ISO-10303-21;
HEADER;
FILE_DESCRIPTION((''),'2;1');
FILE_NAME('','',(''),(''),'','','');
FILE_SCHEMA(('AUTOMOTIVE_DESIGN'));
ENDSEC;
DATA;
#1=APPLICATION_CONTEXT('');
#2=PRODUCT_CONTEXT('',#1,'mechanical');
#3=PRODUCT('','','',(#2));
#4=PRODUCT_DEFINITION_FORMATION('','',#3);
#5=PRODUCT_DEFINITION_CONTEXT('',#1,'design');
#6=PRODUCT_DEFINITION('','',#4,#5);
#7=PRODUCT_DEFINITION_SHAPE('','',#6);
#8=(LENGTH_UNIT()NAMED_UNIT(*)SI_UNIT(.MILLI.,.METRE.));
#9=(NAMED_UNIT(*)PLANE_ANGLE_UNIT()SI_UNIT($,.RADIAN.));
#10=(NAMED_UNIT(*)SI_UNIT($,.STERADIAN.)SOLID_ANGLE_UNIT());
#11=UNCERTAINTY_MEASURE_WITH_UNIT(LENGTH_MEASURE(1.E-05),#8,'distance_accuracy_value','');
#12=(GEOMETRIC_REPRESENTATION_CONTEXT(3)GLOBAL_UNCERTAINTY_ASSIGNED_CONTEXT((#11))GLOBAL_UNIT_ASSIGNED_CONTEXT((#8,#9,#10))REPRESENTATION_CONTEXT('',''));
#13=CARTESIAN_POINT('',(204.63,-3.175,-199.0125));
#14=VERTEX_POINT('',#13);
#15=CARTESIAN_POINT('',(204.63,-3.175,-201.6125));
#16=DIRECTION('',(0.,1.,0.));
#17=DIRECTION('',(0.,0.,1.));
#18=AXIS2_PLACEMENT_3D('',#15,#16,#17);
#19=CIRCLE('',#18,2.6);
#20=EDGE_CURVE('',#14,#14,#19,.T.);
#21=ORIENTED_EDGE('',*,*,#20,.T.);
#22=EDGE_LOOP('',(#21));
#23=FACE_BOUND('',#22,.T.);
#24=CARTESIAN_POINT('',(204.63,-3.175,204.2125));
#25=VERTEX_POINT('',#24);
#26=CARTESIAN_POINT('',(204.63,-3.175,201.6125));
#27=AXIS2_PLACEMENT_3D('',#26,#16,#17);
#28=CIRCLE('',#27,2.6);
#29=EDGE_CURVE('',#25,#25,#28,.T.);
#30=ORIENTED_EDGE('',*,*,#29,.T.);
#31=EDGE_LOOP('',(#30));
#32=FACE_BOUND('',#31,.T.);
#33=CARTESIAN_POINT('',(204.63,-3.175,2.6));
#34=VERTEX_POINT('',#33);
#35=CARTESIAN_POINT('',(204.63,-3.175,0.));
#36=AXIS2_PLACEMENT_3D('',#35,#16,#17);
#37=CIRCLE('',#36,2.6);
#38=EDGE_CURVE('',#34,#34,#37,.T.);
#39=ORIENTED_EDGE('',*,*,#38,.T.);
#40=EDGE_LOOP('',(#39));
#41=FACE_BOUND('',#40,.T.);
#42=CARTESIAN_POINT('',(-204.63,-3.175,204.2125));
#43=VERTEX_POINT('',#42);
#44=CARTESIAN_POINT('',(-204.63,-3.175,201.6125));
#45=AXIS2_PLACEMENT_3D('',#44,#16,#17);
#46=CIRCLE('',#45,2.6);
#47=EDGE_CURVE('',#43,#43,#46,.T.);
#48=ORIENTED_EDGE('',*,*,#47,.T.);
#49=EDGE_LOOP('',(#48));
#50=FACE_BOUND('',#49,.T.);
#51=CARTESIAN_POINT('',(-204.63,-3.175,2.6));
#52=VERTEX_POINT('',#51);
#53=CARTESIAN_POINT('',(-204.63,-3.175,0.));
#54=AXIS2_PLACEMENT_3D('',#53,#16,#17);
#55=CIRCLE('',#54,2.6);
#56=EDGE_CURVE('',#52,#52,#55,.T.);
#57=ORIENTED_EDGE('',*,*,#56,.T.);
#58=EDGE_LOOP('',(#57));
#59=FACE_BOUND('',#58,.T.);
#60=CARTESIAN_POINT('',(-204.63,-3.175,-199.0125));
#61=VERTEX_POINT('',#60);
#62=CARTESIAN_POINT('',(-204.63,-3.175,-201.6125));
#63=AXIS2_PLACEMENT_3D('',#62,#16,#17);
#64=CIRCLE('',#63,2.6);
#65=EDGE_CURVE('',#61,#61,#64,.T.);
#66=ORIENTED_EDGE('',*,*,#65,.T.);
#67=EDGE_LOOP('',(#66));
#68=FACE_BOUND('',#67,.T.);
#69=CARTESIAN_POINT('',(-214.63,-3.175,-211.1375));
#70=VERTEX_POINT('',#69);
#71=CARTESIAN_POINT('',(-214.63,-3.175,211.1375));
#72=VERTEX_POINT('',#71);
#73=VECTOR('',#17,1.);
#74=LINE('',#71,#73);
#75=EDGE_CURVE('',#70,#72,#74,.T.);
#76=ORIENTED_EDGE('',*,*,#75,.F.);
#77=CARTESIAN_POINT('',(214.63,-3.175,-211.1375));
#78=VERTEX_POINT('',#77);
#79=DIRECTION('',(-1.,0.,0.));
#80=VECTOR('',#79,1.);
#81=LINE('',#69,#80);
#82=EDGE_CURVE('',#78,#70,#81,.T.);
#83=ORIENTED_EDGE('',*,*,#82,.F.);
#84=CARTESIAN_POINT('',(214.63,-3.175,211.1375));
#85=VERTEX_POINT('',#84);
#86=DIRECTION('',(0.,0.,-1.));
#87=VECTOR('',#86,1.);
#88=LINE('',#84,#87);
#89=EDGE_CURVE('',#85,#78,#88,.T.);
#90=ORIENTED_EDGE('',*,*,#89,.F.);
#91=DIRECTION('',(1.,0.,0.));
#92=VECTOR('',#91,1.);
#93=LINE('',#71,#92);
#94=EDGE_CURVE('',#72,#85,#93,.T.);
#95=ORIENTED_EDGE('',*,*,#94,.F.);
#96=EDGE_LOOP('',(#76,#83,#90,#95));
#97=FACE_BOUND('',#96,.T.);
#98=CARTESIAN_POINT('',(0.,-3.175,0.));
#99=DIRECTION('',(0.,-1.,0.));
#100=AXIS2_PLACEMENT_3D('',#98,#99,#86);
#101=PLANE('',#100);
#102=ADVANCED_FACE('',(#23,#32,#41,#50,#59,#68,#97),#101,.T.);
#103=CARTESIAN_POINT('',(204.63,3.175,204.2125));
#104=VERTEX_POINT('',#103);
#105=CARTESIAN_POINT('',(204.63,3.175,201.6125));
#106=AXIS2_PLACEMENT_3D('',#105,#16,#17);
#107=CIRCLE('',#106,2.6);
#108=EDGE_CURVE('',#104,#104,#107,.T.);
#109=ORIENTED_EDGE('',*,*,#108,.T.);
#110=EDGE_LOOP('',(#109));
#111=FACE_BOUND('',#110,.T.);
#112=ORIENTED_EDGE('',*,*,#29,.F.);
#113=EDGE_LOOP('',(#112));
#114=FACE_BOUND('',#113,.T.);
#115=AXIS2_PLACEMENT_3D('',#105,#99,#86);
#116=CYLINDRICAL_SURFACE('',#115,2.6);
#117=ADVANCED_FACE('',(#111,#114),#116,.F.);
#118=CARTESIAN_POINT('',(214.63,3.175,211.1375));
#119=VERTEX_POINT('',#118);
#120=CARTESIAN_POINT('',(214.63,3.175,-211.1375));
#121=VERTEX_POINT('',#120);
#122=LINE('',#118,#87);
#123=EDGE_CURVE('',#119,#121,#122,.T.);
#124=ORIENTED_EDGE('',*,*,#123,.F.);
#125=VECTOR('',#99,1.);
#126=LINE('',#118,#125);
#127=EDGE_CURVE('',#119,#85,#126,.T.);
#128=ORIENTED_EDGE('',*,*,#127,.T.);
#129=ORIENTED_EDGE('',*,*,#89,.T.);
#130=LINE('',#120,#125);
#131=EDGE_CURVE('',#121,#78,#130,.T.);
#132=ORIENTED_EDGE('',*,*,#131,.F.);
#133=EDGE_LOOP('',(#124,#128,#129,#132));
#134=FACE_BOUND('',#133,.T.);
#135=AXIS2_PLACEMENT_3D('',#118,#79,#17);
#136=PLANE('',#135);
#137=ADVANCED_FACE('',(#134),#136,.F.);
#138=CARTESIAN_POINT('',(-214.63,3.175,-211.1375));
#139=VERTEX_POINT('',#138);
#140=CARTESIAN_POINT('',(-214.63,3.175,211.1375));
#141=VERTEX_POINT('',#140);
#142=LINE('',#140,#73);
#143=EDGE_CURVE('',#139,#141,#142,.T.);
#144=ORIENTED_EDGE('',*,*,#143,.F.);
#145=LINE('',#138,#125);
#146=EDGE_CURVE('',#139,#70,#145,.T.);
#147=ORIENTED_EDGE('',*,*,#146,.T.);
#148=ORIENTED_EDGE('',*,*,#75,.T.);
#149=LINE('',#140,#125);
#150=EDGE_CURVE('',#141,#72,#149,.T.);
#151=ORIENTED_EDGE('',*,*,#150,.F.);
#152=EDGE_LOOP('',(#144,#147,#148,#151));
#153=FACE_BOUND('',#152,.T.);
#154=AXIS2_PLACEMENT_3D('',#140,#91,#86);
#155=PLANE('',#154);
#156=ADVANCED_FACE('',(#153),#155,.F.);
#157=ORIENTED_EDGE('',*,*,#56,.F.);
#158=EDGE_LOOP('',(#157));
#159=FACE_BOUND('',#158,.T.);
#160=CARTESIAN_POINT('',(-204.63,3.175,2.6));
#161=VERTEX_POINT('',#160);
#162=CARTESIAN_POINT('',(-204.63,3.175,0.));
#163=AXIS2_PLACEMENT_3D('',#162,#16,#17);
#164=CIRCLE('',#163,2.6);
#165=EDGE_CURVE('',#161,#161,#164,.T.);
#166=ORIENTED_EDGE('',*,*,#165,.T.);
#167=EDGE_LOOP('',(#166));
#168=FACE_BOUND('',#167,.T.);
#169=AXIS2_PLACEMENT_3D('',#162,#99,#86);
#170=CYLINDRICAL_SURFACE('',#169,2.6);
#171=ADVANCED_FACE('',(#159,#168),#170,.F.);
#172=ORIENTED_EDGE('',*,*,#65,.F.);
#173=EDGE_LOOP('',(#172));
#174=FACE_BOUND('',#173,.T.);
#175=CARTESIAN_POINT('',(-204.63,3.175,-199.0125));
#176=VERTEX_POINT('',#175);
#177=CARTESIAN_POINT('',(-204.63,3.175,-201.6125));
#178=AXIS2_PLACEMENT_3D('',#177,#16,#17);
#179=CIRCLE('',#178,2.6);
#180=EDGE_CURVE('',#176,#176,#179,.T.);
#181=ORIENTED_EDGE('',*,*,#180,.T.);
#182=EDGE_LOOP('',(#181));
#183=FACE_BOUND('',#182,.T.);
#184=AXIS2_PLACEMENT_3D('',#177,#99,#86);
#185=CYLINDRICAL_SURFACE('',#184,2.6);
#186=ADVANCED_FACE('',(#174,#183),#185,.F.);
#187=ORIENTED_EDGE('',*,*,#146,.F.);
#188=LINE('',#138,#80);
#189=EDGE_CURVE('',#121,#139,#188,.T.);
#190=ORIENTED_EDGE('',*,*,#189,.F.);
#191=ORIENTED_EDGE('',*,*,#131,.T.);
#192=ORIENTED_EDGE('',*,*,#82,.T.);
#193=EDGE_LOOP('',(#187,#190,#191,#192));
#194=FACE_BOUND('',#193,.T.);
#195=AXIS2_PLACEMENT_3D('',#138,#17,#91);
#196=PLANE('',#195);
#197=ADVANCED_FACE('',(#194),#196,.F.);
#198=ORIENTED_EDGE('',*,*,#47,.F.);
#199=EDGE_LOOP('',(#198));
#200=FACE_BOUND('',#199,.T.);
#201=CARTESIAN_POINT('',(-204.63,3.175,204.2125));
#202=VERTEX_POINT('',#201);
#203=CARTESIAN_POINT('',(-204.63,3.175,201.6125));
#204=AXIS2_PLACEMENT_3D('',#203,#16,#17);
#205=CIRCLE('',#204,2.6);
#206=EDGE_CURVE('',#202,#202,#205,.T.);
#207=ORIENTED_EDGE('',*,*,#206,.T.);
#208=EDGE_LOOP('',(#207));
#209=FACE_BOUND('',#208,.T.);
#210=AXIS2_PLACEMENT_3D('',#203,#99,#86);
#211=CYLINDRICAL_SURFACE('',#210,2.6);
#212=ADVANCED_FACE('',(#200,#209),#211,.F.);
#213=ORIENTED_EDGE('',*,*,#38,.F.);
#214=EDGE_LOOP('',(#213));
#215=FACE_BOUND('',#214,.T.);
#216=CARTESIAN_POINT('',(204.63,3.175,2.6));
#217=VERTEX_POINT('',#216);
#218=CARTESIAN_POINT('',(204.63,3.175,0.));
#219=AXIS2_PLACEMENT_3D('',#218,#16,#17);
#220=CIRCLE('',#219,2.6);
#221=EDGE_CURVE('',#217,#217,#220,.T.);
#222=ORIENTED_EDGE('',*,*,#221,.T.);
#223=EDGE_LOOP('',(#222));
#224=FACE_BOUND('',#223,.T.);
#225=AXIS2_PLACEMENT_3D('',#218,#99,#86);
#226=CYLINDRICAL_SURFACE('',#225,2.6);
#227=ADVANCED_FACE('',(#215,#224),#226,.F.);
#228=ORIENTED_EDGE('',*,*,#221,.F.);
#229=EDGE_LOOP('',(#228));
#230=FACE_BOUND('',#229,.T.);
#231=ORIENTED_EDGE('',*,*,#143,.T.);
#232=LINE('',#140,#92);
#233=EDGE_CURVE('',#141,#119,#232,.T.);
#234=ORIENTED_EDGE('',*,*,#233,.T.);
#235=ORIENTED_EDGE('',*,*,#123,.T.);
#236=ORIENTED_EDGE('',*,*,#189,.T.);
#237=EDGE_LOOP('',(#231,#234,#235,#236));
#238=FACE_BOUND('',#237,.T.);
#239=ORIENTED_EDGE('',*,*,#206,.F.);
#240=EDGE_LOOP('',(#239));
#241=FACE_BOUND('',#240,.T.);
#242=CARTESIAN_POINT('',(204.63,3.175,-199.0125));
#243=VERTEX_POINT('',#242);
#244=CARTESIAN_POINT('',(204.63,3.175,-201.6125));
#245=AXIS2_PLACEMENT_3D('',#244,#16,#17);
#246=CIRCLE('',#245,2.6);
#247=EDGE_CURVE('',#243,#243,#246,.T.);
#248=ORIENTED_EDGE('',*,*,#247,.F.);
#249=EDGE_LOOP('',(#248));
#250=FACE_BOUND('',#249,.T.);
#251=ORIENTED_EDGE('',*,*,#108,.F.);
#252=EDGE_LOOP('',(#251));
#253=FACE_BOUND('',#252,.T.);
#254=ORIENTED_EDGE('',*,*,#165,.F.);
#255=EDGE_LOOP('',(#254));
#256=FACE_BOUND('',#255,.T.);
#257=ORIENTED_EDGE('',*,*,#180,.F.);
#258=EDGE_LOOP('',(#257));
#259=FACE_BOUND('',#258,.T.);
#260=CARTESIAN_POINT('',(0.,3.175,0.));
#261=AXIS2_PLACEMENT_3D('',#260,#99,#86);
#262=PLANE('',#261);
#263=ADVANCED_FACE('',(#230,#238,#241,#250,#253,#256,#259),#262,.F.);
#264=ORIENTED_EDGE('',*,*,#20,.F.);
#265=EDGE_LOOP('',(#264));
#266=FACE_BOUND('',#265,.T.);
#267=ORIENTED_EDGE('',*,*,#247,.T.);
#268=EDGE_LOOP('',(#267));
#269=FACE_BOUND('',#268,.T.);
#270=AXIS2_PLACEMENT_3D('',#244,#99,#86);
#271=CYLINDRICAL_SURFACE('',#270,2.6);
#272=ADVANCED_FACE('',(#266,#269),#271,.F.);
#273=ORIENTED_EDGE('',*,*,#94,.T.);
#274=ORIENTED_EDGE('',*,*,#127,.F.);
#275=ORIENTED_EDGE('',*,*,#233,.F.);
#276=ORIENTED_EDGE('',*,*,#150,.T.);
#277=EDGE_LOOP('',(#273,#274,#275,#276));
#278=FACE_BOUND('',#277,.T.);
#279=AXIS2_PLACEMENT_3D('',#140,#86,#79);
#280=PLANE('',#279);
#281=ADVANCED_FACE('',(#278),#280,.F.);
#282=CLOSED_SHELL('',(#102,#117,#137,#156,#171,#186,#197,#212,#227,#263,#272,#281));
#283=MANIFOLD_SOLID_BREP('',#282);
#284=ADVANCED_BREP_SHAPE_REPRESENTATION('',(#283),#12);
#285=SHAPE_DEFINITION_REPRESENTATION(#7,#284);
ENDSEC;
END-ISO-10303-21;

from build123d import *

# Parameters (mm, degrees)
SKETCH2_W           = 429.26
SKETCH2_H           = 422.275
SKETCH2_R           = 2.6
BOSS_EXTRUDE1_DEPTH = 3.175


with BuildPart() as part:
    # Sketch2 → Boss-Extrude1 (new, symmetric)
    with BuildSketch(Plane(origin=(0, 0, 0), x_dir=(1, 0, 0), z_dir=(0, 1, 0))):
        Rectangle(SKETCH2_W, SKETCH2_H)
        with Locations((-204.63, 201.6125)):
            Circle(SKETCH2_R, mode=Mode.SUBTRACT)
        with Locations((204.63, 201.6125)):
            Circle(SKETCH2_R, mode=Mode.SUBTRACT)
        with Locations((204.63, -201.6125)):
            Circle(SKETCH2_R, mode=Mode.SUBTRACT)
        with Locations((-204.63, -201.6125)):
            Circle(SKETCH2_R, mode=Mode.SUBTRACT)
        with Locations((-204.63, 0)):
            Circle(SKETCH2_R, mode=Mode.SUBTRACT)
        with Locations((204.63, 0)):
            Circle(SKETCH2_R, mode=Mode.SUBTRACT)
    extrude(amount=BOSS_EXTRUDE1_DEPTH, both=True)


solid = part.part
